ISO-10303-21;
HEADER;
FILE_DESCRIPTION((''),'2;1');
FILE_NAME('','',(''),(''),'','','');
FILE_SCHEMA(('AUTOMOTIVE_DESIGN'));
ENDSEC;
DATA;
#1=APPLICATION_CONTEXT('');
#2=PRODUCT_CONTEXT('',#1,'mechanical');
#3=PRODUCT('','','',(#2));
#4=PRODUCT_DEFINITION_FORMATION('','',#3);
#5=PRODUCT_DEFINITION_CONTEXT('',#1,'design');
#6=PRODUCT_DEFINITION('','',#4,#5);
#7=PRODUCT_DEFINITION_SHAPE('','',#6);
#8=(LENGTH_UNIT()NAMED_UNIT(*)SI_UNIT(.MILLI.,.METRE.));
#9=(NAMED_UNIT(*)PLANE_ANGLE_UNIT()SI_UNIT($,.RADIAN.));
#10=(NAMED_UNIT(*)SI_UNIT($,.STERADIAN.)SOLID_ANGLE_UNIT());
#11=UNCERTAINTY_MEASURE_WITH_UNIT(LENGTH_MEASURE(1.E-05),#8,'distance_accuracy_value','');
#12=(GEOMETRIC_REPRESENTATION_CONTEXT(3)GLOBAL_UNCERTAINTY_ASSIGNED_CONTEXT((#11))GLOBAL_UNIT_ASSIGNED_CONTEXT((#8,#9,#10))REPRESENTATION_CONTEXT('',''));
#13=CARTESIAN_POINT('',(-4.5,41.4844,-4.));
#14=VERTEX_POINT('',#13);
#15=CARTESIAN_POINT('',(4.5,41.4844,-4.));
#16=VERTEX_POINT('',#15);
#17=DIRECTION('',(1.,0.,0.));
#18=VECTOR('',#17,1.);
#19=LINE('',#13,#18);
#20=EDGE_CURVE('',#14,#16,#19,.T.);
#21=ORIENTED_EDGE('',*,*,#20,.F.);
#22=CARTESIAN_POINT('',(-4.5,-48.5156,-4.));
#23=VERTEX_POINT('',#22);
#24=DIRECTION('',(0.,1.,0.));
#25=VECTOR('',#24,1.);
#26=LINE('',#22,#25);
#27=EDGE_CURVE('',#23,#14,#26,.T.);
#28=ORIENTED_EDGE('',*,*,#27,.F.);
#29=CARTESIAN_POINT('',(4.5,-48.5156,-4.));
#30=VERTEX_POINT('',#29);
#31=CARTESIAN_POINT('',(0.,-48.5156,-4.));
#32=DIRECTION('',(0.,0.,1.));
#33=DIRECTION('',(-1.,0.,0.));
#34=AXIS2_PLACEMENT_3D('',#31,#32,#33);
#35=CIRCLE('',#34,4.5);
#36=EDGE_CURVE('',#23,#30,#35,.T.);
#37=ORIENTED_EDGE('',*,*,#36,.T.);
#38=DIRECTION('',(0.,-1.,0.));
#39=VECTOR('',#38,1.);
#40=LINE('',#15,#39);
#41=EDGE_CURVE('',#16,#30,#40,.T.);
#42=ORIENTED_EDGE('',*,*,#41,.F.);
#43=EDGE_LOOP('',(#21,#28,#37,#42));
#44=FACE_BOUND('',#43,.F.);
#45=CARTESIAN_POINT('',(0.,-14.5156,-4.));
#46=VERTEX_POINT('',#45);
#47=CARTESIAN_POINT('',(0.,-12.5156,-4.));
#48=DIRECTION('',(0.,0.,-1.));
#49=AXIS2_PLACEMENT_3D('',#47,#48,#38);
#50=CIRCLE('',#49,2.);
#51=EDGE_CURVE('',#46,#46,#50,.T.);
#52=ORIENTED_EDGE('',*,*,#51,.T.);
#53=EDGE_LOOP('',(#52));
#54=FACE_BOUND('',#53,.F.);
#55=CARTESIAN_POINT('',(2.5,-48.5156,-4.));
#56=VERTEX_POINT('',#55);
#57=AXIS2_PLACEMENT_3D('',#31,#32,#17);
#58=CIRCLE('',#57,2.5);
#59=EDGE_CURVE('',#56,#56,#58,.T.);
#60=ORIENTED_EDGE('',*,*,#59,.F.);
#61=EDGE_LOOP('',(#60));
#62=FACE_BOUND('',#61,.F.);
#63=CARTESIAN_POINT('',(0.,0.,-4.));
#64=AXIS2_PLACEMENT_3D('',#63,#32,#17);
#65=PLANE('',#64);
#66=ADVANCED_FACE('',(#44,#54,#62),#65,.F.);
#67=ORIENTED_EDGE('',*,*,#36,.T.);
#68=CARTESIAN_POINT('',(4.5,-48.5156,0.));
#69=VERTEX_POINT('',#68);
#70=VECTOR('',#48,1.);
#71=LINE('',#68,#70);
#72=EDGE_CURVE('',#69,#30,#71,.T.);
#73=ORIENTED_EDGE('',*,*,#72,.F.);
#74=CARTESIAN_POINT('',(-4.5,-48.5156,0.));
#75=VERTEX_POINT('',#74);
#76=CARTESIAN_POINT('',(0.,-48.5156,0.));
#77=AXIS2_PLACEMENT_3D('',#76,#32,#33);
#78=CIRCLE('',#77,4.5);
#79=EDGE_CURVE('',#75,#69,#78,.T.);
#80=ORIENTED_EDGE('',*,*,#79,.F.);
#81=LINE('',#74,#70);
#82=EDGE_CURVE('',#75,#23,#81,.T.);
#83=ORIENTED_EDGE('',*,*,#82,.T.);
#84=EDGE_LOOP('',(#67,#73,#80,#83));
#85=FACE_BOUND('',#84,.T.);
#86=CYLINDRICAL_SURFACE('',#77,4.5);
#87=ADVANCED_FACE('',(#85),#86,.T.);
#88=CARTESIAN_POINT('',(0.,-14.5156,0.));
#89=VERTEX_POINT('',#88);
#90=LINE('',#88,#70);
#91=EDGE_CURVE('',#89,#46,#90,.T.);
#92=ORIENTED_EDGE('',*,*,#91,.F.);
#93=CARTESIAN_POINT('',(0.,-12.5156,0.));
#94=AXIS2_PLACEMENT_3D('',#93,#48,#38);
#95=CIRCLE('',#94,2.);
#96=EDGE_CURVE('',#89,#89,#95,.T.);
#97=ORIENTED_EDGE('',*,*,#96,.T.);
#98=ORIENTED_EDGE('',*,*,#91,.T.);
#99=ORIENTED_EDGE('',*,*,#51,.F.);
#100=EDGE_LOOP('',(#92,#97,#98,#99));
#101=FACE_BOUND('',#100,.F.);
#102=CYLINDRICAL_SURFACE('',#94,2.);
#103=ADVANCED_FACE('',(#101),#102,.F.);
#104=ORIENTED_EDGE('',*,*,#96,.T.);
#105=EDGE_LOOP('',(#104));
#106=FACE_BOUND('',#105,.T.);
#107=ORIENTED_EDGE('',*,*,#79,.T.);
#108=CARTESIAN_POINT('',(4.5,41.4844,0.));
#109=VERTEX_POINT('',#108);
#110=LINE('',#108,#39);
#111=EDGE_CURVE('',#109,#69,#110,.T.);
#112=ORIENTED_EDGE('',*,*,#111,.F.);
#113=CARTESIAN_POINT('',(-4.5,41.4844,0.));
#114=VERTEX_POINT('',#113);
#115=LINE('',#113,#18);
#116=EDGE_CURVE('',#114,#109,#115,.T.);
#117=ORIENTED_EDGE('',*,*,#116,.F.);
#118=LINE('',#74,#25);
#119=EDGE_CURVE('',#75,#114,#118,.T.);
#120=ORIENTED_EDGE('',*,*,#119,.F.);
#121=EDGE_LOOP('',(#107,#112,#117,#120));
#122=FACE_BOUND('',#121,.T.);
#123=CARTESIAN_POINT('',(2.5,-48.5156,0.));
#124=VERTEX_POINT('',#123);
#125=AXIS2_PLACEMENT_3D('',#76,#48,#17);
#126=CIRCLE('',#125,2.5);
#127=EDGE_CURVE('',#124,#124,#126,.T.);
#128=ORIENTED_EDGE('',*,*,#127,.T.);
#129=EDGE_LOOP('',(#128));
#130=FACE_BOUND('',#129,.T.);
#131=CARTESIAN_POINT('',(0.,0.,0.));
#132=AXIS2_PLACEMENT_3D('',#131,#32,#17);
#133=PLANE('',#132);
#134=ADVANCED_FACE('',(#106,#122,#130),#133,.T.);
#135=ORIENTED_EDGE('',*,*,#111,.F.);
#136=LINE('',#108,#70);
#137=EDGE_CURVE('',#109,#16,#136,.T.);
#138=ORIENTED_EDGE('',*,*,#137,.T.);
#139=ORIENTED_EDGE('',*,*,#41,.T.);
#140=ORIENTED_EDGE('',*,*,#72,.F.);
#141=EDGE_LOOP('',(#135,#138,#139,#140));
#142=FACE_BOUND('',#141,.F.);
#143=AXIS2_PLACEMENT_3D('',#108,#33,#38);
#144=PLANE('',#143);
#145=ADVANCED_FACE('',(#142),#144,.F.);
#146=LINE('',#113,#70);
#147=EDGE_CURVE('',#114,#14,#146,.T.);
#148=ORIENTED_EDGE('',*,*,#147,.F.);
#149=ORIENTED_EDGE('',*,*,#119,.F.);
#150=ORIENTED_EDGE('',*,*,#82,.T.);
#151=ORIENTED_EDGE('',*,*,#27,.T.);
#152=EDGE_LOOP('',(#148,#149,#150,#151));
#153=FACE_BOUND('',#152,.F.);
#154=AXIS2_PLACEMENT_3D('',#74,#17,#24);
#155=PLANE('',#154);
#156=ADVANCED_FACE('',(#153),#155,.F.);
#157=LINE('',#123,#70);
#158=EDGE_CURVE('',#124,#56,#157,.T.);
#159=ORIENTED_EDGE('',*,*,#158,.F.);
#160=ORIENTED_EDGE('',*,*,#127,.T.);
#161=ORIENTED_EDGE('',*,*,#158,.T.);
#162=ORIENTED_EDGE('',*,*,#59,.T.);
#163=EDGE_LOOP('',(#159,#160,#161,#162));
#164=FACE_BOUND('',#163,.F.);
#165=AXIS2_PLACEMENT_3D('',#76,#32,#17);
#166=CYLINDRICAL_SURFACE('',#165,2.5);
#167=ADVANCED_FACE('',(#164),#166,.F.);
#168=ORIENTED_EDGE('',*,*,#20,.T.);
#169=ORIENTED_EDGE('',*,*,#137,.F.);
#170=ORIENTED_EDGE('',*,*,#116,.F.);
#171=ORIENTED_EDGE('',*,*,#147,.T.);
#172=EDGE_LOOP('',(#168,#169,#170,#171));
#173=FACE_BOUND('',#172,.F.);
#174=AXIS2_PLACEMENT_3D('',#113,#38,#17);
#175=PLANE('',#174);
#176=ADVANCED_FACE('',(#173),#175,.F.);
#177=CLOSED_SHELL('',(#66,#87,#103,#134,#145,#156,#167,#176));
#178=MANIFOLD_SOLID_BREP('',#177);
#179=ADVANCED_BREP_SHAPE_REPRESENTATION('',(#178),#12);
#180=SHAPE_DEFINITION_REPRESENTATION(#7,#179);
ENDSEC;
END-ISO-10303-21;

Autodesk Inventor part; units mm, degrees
ref_plane "YZ Plane" through (0, 0, 0) normal (1, 0, 0) x (0, 1, 0)
ref_plane "XZ Plane" through (0, 0, 0) normal (0, 1, 0) x (-1, 0, 0)
ref_plane "XY Plane" through (0, 0, 0) normal (0, 0, 1) x (1, 0, 0)
sketch "Boceto1" plane through (0, 0, 0) normal (0, 0, 1) x (1, 0, 0)
  line L0 (0, 55.8594) -> (0, -55.8594) construction
  line L1 (110.1563, 0) -> (-110.1563, 0) construction
  line L2 (-4.5, 41.4844) -> (4.5, 41.4844)
  line L3 (4.5, 41.4844) -> (4.5, -48.5156)
  line L4 (4.5, -48.5156) -> (-4.5, -48.5156)
  line L5 (-4.5, -48.5156) -> (-4.5, 41.4844)
  arc A0 (-4.5, -48.5156) -> (4.5, -48.5156) centre (0, -48.5156) ccw
  circle A1 centre (0, -48.5156) radius 2.5
  point P0 (0, 0)
  point P1 (0, 0)
  point P2 (0, 41.4844)
  point P3 (0, -12.5156)
  point P4 (0, -48.5156)
  dimension "d0" = 90
  dimension "d1" = 9
  dimension "d2" = 4.5
  dimension "d3" = 5
  dimension "d4" = 36
  dimension "d5" = 41.4844
  dimension "d6" = 105.6563
  dimension "d7" = 55.8594
extrude "Extrusión1" add sketch "Boceto1" against normal blind 4 contours L2 L3 L4 A1 L5 | L4 A1 A0
hole "Agujero1" at (0, -12.5156, 0) direction (0, 0, -1) diameter 4 end through all
properties part number "1-HUDSON-8-33-TDR HAND PUMP HANDLE"
